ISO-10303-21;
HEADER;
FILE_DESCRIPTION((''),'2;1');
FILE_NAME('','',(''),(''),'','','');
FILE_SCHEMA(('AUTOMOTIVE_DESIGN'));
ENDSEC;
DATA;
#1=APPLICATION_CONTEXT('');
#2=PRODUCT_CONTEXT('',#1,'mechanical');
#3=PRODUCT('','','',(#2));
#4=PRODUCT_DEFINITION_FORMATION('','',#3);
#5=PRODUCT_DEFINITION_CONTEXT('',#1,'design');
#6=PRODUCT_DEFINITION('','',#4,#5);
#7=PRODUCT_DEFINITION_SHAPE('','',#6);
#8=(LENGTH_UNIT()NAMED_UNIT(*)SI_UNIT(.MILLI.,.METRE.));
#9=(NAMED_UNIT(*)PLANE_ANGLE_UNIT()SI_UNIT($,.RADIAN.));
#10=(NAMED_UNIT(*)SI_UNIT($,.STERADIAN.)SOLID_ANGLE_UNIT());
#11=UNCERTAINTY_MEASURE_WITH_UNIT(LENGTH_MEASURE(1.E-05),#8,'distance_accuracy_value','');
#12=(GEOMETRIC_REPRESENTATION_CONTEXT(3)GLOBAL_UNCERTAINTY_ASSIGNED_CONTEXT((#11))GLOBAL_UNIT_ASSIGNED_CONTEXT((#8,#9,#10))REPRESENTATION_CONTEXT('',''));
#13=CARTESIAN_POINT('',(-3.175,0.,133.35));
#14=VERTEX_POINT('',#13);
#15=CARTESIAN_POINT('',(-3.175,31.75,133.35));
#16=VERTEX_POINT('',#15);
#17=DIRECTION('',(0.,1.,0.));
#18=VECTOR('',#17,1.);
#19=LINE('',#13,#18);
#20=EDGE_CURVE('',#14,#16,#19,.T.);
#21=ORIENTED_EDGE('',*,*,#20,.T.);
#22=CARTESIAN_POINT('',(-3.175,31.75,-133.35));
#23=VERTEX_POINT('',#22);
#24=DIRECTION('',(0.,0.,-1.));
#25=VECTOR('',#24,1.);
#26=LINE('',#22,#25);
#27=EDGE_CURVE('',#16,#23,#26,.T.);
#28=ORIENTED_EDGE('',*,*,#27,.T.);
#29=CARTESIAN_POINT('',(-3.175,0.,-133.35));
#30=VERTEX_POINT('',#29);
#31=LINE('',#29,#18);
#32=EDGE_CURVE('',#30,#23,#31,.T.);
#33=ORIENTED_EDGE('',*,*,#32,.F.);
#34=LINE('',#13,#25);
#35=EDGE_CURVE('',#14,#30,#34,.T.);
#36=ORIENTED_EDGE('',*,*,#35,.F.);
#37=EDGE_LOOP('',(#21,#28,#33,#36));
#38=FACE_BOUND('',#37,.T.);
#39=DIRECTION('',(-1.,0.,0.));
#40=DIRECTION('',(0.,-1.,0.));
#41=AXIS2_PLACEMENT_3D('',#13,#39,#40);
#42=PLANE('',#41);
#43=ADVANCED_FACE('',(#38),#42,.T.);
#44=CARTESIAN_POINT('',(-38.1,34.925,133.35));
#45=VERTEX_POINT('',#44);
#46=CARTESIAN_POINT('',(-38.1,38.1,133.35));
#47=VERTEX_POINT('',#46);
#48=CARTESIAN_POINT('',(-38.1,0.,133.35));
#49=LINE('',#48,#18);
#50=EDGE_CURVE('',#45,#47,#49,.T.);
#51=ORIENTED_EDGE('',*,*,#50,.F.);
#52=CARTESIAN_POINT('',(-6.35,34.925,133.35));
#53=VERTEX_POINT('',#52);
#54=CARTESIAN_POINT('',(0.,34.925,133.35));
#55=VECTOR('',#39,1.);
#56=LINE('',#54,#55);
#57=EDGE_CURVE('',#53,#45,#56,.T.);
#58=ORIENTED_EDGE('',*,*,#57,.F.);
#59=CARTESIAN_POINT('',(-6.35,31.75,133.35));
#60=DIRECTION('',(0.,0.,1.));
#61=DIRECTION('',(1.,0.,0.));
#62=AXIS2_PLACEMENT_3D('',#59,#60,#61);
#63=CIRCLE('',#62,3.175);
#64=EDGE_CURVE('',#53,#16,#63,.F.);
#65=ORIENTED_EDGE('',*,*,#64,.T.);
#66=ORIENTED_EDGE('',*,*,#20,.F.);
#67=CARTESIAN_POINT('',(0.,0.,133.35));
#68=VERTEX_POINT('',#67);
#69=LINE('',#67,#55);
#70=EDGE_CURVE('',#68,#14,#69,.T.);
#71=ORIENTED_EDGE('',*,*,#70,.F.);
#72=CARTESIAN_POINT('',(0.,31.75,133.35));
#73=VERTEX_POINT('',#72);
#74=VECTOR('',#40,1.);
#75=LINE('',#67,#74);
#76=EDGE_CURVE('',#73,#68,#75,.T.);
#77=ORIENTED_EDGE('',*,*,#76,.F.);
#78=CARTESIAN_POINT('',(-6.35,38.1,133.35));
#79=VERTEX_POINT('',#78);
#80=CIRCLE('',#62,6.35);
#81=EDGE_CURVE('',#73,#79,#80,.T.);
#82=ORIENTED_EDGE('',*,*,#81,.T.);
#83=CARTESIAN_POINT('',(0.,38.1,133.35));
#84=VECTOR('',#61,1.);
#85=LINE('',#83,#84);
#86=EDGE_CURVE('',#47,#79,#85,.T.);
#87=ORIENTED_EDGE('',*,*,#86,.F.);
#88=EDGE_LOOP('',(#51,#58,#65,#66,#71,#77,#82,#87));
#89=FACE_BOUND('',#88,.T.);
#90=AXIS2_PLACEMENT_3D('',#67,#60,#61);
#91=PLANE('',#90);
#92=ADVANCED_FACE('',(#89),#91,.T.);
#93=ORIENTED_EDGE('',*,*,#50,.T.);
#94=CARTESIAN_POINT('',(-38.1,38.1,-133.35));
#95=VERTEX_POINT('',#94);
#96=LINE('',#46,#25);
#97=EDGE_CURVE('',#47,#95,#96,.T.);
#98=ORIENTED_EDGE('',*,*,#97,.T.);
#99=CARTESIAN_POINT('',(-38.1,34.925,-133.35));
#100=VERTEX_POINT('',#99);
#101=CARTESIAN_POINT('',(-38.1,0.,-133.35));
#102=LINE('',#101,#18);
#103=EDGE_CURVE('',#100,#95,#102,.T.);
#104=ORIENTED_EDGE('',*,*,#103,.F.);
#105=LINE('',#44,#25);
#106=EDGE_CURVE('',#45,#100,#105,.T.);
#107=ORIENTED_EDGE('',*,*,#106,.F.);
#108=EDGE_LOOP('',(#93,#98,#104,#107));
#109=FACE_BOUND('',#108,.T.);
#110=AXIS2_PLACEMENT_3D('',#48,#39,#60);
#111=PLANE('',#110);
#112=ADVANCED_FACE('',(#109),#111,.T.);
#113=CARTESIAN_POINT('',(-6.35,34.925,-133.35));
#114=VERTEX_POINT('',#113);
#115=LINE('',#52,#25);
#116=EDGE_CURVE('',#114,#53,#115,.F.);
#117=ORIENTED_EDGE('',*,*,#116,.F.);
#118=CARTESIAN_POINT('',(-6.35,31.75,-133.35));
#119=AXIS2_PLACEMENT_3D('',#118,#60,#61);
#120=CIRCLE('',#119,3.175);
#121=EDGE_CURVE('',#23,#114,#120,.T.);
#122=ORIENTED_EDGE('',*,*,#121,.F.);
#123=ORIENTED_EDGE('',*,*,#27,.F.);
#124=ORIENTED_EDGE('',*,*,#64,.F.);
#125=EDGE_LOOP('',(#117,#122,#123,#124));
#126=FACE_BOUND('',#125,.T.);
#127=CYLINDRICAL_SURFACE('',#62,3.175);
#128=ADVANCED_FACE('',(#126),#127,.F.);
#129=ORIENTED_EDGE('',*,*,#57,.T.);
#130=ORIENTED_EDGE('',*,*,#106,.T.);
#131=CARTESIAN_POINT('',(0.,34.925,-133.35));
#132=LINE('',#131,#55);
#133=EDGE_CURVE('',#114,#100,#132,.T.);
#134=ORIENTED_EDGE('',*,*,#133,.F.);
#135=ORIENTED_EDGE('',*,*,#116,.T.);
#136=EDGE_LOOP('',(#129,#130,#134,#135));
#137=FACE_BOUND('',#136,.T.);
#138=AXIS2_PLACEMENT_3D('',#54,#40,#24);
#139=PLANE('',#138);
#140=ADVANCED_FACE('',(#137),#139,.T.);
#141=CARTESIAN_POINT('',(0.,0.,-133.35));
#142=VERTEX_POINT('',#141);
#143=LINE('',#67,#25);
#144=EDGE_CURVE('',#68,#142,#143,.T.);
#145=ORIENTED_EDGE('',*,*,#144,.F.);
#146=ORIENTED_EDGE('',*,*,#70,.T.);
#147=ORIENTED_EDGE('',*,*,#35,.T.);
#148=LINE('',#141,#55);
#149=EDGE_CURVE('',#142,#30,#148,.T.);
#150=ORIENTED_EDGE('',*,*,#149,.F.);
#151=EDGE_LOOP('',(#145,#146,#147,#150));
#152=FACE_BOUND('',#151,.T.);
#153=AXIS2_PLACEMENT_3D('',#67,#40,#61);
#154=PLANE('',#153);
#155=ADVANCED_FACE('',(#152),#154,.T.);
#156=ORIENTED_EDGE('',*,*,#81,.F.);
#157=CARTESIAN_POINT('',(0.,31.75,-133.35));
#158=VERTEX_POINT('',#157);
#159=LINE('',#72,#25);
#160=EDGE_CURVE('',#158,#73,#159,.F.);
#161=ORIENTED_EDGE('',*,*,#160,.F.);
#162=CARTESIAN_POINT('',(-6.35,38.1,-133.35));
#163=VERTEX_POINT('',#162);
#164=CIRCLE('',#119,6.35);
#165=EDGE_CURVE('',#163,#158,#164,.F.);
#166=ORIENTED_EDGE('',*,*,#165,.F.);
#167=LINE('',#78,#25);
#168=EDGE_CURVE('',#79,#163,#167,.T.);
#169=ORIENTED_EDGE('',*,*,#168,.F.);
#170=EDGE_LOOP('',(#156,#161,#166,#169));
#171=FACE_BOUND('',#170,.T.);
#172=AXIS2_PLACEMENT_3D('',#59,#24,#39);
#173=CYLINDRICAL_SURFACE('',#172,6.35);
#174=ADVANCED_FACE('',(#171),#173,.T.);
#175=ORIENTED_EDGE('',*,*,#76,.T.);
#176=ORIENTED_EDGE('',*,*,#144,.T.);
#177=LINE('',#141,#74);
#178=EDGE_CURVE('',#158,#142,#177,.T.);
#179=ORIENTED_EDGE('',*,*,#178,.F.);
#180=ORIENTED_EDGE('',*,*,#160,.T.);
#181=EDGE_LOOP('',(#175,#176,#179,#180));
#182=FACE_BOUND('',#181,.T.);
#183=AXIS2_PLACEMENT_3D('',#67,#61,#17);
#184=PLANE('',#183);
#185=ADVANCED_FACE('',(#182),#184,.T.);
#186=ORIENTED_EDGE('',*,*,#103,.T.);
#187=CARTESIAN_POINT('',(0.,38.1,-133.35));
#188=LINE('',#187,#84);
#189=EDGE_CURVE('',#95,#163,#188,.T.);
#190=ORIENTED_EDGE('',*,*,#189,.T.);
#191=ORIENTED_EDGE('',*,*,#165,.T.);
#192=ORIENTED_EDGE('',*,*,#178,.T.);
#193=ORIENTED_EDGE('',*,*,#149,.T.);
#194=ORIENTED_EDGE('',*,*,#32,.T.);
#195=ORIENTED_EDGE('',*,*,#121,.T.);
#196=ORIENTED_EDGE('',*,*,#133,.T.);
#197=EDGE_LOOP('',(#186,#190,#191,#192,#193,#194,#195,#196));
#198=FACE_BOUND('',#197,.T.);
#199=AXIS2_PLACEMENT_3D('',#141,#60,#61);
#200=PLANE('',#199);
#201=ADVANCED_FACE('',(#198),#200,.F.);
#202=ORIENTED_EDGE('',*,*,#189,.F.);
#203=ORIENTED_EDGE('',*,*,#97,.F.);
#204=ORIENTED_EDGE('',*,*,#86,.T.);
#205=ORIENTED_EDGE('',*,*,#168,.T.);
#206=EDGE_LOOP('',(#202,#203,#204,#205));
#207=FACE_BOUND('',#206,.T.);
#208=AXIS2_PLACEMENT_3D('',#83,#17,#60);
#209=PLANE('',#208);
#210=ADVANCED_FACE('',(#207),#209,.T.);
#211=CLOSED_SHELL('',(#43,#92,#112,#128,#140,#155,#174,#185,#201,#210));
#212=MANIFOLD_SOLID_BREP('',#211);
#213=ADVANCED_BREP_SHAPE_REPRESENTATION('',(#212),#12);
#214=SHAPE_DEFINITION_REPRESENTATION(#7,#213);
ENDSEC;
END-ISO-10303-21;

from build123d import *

# Parameters (mm, degrees)
BOSS_EXTRUDE1_DEPTH = 133.35
FILLET2_R           = 3.175
FILLET3_R           = 6.35


with BuildPart() as part:
    # Sketch1 → Boss-Extrude1 (new, symmetric)
    with BuildSketch(Plane.XY):
        Polygon((-3.175, 0), (0, 0), (0, 38.1), (-38.1, 38.1), (-38.1, 34.925), (-3.175, 34.925), align=None)
    extrude(amount=BOSS_EXTRUDE1_DEPTH, both=True)

    # Fillet2
    fillet2_edges = [part.edges().sort_by_distance(p)[0] for p in [
        (-3.175, 34.925, 0),
    ]]
    fillet(fillet2_edges, radius=FILLET2_R)

    # Fillet3
    fillet3_edges = [part.edges().sort_by_distance(p)[0] for p in [
        (0, 38.1, 0),
    ]]
    fillet(fillet3_edges, radius=FILLET3_R)


solid = part.part
